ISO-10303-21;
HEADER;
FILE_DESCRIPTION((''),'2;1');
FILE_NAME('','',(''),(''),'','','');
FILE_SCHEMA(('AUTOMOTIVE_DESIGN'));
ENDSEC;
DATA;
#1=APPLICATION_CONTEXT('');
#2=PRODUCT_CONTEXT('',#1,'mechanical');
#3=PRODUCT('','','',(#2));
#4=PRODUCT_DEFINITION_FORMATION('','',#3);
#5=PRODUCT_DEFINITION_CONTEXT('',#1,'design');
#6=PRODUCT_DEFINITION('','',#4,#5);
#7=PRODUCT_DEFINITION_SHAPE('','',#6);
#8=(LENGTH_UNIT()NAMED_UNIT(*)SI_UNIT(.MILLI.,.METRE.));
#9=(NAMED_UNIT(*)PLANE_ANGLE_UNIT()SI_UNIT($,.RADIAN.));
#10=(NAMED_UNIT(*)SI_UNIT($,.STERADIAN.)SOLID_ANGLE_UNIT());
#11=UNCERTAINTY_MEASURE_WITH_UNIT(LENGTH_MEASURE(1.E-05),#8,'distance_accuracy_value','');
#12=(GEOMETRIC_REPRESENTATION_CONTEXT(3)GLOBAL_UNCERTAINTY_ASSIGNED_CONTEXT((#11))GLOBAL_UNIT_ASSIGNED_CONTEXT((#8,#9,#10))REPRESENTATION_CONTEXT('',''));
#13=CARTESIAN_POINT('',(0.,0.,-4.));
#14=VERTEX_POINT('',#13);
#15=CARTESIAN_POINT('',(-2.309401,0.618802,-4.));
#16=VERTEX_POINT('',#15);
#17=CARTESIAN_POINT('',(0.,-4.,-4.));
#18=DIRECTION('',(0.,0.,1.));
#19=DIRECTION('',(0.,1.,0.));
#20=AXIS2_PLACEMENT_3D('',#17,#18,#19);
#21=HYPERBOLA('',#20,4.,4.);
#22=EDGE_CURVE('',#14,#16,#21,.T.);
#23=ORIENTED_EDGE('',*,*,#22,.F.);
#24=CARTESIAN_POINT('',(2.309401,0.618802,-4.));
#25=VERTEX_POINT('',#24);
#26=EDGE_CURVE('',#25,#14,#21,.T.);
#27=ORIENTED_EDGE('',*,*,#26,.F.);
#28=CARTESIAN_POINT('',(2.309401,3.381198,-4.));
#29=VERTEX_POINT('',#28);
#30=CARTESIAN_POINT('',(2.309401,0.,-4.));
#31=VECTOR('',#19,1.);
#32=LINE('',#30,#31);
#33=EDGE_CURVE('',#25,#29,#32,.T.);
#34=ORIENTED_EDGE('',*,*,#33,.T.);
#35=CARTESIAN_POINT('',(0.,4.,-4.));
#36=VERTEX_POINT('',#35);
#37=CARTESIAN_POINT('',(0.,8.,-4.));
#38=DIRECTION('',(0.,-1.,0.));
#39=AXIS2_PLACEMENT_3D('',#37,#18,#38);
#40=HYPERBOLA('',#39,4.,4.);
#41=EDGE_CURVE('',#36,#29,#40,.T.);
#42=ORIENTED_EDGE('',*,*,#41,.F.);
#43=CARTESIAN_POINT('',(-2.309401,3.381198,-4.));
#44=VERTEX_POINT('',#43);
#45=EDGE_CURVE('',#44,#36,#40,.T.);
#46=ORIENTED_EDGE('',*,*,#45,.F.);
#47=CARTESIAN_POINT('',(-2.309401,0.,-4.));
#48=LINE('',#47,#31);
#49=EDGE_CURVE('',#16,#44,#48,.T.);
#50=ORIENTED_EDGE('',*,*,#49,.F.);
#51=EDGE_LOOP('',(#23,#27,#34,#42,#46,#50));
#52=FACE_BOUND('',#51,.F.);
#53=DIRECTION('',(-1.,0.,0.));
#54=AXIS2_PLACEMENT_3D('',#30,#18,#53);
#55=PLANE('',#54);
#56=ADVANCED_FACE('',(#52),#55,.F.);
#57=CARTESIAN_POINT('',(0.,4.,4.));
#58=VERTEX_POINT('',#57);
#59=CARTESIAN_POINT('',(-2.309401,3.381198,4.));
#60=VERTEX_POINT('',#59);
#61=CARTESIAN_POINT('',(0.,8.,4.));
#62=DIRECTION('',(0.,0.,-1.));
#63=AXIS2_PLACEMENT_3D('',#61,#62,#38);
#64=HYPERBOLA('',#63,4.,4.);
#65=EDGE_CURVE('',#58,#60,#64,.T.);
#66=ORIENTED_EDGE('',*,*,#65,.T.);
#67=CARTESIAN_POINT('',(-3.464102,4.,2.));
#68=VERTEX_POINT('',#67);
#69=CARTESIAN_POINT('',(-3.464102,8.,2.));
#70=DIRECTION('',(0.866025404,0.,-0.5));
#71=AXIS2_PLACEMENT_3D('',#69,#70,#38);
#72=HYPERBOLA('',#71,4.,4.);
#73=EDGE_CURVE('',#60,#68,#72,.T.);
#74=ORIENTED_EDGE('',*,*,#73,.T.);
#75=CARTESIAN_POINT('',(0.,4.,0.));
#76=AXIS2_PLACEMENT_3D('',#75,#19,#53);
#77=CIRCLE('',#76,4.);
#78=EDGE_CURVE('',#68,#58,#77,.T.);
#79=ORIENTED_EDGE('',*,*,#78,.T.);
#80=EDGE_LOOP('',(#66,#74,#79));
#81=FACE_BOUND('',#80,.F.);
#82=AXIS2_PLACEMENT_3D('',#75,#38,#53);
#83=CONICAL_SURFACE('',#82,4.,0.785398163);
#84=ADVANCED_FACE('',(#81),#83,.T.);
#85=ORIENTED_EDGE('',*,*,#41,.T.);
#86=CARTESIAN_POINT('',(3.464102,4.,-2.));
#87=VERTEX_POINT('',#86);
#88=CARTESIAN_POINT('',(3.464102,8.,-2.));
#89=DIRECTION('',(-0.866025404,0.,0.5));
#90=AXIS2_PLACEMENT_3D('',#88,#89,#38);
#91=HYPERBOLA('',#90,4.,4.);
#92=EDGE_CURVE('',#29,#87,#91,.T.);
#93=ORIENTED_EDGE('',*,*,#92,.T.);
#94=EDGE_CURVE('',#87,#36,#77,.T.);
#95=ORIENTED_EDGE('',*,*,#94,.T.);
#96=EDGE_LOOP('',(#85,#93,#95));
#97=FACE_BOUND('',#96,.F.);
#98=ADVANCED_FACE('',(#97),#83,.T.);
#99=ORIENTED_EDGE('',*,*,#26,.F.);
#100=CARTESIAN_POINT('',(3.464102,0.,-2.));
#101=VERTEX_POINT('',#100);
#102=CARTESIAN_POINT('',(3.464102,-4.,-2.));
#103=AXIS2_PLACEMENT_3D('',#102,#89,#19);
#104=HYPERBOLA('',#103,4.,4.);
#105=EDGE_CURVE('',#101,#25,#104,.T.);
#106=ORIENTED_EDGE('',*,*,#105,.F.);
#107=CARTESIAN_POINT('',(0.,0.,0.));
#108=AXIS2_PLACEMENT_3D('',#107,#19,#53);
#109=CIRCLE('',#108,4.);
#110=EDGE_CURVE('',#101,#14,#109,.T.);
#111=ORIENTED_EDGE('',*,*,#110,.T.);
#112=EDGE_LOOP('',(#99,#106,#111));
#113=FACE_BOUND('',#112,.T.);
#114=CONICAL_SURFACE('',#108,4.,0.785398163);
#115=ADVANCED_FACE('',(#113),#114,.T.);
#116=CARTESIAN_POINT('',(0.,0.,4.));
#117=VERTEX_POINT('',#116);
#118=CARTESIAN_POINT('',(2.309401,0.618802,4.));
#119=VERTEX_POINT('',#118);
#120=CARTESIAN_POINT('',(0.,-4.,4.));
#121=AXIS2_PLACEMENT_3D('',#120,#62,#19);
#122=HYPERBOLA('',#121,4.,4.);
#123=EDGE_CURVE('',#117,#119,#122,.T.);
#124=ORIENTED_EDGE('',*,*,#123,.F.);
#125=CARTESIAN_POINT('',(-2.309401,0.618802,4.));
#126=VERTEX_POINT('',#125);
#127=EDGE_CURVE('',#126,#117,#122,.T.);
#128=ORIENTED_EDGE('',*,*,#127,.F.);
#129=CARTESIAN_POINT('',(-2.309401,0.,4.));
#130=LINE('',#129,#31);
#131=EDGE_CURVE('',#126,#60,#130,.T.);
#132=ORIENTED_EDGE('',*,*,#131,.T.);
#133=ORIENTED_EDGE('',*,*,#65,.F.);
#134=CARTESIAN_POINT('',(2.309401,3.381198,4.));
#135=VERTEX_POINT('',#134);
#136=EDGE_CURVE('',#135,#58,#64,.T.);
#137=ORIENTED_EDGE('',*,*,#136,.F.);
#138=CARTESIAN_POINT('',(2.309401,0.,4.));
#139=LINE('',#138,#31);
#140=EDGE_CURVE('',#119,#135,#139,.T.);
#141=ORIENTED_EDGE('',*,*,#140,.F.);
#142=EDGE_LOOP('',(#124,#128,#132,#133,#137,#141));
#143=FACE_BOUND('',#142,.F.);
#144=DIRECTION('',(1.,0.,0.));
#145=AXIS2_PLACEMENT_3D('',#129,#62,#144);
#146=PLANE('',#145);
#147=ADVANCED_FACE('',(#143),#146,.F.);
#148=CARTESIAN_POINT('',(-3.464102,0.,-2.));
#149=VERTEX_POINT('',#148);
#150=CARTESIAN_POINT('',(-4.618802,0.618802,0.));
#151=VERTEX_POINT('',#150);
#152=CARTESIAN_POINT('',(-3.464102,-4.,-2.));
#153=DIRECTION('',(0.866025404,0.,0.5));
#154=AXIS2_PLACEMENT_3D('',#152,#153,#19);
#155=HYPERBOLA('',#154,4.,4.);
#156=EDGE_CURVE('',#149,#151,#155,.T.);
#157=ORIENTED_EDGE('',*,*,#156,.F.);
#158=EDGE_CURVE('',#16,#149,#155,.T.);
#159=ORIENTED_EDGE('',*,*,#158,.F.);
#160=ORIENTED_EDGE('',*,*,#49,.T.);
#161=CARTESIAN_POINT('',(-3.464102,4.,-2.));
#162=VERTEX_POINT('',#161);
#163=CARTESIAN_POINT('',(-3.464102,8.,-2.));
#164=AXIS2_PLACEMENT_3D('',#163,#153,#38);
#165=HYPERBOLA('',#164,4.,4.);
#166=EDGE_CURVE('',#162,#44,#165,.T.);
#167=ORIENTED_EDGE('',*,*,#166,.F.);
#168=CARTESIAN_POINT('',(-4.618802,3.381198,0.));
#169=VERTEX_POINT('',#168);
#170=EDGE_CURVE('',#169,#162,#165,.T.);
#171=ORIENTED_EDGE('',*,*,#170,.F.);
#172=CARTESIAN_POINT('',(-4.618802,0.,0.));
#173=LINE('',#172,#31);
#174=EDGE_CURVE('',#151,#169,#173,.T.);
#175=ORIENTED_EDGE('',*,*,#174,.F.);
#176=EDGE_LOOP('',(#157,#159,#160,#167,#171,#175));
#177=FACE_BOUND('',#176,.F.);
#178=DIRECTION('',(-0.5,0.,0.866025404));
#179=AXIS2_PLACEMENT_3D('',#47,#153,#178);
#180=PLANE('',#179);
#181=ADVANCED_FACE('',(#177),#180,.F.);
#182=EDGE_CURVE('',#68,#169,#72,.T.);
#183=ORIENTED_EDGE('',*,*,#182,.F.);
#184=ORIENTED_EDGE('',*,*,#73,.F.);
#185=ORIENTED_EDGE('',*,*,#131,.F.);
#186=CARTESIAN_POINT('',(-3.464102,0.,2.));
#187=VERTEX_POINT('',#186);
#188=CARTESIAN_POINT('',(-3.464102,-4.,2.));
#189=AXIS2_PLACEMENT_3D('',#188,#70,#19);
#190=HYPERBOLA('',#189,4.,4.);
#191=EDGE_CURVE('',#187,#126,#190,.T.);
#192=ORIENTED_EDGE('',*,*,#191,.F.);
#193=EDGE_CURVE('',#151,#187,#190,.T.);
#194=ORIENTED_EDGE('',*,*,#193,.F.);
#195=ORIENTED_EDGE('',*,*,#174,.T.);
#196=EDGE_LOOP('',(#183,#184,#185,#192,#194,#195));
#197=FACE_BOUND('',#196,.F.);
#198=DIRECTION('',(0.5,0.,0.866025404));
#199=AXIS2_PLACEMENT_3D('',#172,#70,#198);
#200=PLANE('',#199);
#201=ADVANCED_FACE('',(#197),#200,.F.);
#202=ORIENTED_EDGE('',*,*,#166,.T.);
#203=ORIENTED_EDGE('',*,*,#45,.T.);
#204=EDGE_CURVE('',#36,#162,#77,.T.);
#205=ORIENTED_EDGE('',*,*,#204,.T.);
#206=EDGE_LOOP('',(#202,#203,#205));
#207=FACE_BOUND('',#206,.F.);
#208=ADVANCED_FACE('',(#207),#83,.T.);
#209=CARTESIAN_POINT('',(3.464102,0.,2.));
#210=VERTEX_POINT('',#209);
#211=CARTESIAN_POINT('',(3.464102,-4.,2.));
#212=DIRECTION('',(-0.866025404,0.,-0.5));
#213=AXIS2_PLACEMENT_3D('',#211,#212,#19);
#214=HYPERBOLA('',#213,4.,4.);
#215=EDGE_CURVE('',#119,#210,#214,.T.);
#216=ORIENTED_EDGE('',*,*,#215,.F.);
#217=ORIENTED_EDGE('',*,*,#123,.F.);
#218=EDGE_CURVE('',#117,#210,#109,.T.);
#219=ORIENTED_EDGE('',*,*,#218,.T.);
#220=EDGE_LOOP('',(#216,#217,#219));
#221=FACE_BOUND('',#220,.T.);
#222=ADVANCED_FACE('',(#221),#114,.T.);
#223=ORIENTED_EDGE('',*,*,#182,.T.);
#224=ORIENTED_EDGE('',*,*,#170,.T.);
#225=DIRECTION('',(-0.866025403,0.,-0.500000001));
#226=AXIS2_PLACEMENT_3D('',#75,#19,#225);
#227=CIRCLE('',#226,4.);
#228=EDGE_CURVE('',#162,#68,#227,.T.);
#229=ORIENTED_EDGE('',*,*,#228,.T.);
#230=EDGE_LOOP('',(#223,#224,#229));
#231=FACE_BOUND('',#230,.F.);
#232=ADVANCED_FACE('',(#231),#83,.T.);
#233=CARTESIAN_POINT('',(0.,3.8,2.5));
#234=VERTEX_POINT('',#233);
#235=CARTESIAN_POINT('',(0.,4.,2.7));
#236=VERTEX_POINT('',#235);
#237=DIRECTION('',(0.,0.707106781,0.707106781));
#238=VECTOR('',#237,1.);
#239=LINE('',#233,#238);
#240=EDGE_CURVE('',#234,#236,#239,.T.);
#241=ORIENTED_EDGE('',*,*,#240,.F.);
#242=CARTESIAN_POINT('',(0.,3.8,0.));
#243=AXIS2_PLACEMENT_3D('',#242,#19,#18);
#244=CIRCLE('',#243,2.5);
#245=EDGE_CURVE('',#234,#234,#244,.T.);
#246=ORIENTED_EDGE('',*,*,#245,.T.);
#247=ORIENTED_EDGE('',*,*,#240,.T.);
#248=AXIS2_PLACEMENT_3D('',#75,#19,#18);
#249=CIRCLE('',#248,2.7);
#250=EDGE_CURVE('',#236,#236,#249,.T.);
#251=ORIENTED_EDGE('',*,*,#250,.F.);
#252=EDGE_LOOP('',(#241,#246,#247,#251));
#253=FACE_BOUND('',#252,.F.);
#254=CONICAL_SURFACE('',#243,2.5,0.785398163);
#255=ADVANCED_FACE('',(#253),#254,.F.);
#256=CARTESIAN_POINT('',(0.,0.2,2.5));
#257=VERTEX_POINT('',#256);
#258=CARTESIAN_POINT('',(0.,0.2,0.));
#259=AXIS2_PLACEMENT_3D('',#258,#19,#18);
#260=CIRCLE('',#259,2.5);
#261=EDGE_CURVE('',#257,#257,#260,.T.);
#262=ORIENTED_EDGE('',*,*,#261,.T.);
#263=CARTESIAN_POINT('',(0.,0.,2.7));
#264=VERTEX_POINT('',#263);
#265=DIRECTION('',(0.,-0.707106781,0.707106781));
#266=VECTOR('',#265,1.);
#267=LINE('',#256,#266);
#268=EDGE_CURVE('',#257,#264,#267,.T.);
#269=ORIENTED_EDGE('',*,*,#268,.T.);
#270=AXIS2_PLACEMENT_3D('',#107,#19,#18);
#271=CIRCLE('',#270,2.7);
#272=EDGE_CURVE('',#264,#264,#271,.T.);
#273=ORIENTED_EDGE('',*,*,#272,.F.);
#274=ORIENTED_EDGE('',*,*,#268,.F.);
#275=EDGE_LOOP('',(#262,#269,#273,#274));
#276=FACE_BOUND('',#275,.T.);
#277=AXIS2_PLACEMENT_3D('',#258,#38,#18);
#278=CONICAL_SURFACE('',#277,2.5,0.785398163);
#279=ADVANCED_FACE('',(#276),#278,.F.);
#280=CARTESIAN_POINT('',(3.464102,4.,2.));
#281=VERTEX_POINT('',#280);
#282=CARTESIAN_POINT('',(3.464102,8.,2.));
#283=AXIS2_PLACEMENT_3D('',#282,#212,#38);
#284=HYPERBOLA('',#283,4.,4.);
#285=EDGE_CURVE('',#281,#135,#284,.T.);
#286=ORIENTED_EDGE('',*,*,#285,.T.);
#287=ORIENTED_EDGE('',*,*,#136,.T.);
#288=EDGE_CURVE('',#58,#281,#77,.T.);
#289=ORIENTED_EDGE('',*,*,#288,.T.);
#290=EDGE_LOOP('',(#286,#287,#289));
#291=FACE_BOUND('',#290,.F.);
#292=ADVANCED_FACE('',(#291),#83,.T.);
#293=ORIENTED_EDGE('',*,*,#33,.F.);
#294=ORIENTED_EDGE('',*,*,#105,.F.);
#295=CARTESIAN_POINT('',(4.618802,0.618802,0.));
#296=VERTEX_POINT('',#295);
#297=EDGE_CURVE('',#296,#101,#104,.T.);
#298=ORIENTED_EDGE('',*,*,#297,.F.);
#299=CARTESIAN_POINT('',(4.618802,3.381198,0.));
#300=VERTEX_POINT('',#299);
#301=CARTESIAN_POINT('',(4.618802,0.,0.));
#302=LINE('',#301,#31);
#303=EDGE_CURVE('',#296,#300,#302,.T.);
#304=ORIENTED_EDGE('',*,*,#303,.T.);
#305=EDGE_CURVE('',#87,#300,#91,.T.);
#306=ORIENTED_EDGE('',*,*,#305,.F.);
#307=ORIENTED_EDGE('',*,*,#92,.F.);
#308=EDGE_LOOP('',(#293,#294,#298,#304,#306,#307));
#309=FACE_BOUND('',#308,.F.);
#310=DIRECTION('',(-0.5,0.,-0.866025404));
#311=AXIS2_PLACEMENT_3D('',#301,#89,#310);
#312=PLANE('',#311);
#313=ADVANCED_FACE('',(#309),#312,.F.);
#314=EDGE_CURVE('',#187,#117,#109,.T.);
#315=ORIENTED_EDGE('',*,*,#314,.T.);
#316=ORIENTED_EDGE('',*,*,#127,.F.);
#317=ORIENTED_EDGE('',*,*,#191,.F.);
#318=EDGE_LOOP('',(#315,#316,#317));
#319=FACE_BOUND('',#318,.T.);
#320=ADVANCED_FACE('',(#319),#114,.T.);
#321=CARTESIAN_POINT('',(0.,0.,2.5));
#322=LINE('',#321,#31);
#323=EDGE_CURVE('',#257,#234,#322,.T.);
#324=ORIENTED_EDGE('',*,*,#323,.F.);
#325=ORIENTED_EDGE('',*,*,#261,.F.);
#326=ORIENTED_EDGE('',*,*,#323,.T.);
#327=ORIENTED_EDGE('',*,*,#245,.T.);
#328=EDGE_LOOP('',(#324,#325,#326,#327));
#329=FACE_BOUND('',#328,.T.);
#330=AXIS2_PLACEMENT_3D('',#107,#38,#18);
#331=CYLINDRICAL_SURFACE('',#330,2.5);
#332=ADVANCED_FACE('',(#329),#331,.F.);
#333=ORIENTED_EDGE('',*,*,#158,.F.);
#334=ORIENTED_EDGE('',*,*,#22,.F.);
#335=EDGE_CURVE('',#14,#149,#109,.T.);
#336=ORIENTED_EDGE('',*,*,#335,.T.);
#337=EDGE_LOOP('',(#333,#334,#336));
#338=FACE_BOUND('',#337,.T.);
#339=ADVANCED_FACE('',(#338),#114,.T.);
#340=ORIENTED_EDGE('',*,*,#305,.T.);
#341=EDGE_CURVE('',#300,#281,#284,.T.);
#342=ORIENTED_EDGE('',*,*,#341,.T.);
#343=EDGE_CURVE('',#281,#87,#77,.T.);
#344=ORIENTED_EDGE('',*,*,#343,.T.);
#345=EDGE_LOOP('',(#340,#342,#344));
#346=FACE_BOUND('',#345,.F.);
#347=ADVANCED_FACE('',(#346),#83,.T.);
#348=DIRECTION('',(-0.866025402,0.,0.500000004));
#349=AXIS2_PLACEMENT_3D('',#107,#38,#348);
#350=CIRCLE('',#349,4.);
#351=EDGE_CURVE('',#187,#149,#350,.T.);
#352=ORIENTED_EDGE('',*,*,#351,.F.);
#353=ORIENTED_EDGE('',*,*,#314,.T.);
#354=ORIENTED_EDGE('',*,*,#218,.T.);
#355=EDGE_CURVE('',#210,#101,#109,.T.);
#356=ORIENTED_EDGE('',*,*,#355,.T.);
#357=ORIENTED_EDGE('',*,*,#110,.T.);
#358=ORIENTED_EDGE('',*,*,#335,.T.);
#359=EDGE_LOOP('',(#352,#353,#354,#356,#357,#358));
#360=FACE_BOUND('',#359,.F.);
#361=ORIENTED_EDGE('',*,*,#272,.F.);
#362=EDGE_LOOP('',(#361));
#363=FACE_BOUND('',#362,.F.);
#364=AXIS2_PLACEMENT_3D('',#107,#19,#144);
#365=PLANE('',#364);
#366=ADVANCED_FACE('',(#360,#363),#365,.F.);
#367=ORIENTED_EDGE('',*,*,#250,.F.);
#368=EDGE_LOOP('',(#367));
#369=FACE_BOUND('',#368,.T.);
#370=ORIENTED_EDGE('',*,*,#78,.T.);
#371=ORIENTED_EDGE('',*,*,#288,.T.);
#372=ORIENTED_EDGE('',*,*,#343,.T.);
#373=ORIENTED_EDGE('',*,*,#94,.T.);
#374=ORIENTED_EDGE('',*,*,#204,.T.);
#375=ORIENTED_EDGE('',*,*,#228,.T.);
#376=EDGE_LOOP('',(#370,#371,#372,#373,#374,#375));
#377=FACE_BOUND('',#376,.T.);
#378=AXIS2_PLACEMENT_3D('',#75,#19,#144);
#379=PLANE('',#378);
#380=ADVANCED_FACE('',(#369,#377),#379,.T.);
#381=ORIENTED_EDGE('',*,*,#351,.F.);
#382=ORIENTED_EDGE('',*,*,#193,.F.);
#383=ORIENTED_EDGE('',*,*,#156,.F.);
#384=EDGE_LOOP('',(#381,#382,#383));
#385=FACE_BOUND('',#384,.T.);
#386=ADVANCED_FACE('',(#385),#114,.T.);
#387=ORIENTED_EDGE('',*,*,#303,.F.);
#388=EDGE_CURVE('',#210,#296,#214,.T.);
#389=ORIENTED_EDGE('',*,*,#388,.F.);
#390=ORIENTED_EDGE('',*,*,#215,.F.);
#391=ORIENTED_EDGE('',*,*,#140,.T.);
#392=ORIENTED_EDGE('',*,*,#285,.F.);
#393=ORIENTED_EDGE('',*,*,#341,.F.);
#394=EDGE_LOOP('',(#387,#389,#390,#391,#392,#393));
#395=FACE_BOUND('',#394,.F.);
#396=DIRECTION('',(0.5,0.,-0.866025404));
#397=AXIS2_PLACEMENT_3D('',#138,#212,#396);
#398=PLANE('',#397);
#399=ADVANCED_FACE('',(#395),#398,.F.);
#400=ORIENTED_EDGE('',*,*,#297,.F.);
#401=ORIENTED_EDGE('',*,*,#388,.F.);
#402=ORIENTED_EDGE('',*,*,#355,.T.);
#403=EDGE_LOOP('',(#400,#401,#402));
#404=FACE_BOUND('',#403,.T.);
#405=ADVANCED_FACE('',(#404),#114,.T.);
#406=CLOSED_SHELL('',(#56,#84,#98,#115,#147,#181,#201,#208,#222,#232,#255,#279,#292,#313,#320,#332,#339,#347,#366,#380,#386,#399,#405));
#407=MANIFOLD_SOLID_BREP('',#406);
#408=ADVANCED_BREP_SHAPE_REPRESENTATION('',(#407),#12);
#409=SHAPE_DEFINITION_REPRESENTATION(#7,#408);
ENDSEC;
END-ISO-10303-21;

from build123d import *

# Parameters (mm, degrees)
SKETCH1_R           = 2.5
BOSS_EXTRUDE1_DEPTH = 4
CHAMFER1_SIZE       = 0.2


with BuildPart() as part:
    # Sketch1 → Boss-Extrude1 (new body)
    with BuildSketch(Plane(origin=(0, 0, 0), x_dir=(1, 0, 0), z_dir=(0, 1, 0))):
        Polygon((-2.309401077, 4), (-4.618802154, 0), (-2.309401077, -4), (2.309401077, -4), (4.618802154, 0), (2.309401077, 4), align=None)
        with Locations(Location((0, 0, 0), (0, 0, 270))):
            Circle(SKETCH1_R, mode=Mode.SUBTRACT)
    extrude(amount=BOSS_EXTRUDE1_DEPTH)

    # Chamfer1
    chamfer1_edges = [part.edges().sort_by_distance(p)[0] for p in [
        (0, 0, -2.5),
        (0, 4, -2.5),
    ]]
    chamfer(chamfer1_edges, length=CHAMFER1_SIZE)

    # Sketch2 → Cut-Revolve1 (revolve, cut)
    with BuildSketch(Plane.XY):
        Polygon((-4, 4), (-5, 3), (-5, 4), align=None)
        Polygon((-5, 0), (-4, 0), (-5, 1), align=None)
    revolve(axis=Axis((0, 0, 0), (0, 1, 0)), mode=Mode.SUBTRACT)


solid = part.part
